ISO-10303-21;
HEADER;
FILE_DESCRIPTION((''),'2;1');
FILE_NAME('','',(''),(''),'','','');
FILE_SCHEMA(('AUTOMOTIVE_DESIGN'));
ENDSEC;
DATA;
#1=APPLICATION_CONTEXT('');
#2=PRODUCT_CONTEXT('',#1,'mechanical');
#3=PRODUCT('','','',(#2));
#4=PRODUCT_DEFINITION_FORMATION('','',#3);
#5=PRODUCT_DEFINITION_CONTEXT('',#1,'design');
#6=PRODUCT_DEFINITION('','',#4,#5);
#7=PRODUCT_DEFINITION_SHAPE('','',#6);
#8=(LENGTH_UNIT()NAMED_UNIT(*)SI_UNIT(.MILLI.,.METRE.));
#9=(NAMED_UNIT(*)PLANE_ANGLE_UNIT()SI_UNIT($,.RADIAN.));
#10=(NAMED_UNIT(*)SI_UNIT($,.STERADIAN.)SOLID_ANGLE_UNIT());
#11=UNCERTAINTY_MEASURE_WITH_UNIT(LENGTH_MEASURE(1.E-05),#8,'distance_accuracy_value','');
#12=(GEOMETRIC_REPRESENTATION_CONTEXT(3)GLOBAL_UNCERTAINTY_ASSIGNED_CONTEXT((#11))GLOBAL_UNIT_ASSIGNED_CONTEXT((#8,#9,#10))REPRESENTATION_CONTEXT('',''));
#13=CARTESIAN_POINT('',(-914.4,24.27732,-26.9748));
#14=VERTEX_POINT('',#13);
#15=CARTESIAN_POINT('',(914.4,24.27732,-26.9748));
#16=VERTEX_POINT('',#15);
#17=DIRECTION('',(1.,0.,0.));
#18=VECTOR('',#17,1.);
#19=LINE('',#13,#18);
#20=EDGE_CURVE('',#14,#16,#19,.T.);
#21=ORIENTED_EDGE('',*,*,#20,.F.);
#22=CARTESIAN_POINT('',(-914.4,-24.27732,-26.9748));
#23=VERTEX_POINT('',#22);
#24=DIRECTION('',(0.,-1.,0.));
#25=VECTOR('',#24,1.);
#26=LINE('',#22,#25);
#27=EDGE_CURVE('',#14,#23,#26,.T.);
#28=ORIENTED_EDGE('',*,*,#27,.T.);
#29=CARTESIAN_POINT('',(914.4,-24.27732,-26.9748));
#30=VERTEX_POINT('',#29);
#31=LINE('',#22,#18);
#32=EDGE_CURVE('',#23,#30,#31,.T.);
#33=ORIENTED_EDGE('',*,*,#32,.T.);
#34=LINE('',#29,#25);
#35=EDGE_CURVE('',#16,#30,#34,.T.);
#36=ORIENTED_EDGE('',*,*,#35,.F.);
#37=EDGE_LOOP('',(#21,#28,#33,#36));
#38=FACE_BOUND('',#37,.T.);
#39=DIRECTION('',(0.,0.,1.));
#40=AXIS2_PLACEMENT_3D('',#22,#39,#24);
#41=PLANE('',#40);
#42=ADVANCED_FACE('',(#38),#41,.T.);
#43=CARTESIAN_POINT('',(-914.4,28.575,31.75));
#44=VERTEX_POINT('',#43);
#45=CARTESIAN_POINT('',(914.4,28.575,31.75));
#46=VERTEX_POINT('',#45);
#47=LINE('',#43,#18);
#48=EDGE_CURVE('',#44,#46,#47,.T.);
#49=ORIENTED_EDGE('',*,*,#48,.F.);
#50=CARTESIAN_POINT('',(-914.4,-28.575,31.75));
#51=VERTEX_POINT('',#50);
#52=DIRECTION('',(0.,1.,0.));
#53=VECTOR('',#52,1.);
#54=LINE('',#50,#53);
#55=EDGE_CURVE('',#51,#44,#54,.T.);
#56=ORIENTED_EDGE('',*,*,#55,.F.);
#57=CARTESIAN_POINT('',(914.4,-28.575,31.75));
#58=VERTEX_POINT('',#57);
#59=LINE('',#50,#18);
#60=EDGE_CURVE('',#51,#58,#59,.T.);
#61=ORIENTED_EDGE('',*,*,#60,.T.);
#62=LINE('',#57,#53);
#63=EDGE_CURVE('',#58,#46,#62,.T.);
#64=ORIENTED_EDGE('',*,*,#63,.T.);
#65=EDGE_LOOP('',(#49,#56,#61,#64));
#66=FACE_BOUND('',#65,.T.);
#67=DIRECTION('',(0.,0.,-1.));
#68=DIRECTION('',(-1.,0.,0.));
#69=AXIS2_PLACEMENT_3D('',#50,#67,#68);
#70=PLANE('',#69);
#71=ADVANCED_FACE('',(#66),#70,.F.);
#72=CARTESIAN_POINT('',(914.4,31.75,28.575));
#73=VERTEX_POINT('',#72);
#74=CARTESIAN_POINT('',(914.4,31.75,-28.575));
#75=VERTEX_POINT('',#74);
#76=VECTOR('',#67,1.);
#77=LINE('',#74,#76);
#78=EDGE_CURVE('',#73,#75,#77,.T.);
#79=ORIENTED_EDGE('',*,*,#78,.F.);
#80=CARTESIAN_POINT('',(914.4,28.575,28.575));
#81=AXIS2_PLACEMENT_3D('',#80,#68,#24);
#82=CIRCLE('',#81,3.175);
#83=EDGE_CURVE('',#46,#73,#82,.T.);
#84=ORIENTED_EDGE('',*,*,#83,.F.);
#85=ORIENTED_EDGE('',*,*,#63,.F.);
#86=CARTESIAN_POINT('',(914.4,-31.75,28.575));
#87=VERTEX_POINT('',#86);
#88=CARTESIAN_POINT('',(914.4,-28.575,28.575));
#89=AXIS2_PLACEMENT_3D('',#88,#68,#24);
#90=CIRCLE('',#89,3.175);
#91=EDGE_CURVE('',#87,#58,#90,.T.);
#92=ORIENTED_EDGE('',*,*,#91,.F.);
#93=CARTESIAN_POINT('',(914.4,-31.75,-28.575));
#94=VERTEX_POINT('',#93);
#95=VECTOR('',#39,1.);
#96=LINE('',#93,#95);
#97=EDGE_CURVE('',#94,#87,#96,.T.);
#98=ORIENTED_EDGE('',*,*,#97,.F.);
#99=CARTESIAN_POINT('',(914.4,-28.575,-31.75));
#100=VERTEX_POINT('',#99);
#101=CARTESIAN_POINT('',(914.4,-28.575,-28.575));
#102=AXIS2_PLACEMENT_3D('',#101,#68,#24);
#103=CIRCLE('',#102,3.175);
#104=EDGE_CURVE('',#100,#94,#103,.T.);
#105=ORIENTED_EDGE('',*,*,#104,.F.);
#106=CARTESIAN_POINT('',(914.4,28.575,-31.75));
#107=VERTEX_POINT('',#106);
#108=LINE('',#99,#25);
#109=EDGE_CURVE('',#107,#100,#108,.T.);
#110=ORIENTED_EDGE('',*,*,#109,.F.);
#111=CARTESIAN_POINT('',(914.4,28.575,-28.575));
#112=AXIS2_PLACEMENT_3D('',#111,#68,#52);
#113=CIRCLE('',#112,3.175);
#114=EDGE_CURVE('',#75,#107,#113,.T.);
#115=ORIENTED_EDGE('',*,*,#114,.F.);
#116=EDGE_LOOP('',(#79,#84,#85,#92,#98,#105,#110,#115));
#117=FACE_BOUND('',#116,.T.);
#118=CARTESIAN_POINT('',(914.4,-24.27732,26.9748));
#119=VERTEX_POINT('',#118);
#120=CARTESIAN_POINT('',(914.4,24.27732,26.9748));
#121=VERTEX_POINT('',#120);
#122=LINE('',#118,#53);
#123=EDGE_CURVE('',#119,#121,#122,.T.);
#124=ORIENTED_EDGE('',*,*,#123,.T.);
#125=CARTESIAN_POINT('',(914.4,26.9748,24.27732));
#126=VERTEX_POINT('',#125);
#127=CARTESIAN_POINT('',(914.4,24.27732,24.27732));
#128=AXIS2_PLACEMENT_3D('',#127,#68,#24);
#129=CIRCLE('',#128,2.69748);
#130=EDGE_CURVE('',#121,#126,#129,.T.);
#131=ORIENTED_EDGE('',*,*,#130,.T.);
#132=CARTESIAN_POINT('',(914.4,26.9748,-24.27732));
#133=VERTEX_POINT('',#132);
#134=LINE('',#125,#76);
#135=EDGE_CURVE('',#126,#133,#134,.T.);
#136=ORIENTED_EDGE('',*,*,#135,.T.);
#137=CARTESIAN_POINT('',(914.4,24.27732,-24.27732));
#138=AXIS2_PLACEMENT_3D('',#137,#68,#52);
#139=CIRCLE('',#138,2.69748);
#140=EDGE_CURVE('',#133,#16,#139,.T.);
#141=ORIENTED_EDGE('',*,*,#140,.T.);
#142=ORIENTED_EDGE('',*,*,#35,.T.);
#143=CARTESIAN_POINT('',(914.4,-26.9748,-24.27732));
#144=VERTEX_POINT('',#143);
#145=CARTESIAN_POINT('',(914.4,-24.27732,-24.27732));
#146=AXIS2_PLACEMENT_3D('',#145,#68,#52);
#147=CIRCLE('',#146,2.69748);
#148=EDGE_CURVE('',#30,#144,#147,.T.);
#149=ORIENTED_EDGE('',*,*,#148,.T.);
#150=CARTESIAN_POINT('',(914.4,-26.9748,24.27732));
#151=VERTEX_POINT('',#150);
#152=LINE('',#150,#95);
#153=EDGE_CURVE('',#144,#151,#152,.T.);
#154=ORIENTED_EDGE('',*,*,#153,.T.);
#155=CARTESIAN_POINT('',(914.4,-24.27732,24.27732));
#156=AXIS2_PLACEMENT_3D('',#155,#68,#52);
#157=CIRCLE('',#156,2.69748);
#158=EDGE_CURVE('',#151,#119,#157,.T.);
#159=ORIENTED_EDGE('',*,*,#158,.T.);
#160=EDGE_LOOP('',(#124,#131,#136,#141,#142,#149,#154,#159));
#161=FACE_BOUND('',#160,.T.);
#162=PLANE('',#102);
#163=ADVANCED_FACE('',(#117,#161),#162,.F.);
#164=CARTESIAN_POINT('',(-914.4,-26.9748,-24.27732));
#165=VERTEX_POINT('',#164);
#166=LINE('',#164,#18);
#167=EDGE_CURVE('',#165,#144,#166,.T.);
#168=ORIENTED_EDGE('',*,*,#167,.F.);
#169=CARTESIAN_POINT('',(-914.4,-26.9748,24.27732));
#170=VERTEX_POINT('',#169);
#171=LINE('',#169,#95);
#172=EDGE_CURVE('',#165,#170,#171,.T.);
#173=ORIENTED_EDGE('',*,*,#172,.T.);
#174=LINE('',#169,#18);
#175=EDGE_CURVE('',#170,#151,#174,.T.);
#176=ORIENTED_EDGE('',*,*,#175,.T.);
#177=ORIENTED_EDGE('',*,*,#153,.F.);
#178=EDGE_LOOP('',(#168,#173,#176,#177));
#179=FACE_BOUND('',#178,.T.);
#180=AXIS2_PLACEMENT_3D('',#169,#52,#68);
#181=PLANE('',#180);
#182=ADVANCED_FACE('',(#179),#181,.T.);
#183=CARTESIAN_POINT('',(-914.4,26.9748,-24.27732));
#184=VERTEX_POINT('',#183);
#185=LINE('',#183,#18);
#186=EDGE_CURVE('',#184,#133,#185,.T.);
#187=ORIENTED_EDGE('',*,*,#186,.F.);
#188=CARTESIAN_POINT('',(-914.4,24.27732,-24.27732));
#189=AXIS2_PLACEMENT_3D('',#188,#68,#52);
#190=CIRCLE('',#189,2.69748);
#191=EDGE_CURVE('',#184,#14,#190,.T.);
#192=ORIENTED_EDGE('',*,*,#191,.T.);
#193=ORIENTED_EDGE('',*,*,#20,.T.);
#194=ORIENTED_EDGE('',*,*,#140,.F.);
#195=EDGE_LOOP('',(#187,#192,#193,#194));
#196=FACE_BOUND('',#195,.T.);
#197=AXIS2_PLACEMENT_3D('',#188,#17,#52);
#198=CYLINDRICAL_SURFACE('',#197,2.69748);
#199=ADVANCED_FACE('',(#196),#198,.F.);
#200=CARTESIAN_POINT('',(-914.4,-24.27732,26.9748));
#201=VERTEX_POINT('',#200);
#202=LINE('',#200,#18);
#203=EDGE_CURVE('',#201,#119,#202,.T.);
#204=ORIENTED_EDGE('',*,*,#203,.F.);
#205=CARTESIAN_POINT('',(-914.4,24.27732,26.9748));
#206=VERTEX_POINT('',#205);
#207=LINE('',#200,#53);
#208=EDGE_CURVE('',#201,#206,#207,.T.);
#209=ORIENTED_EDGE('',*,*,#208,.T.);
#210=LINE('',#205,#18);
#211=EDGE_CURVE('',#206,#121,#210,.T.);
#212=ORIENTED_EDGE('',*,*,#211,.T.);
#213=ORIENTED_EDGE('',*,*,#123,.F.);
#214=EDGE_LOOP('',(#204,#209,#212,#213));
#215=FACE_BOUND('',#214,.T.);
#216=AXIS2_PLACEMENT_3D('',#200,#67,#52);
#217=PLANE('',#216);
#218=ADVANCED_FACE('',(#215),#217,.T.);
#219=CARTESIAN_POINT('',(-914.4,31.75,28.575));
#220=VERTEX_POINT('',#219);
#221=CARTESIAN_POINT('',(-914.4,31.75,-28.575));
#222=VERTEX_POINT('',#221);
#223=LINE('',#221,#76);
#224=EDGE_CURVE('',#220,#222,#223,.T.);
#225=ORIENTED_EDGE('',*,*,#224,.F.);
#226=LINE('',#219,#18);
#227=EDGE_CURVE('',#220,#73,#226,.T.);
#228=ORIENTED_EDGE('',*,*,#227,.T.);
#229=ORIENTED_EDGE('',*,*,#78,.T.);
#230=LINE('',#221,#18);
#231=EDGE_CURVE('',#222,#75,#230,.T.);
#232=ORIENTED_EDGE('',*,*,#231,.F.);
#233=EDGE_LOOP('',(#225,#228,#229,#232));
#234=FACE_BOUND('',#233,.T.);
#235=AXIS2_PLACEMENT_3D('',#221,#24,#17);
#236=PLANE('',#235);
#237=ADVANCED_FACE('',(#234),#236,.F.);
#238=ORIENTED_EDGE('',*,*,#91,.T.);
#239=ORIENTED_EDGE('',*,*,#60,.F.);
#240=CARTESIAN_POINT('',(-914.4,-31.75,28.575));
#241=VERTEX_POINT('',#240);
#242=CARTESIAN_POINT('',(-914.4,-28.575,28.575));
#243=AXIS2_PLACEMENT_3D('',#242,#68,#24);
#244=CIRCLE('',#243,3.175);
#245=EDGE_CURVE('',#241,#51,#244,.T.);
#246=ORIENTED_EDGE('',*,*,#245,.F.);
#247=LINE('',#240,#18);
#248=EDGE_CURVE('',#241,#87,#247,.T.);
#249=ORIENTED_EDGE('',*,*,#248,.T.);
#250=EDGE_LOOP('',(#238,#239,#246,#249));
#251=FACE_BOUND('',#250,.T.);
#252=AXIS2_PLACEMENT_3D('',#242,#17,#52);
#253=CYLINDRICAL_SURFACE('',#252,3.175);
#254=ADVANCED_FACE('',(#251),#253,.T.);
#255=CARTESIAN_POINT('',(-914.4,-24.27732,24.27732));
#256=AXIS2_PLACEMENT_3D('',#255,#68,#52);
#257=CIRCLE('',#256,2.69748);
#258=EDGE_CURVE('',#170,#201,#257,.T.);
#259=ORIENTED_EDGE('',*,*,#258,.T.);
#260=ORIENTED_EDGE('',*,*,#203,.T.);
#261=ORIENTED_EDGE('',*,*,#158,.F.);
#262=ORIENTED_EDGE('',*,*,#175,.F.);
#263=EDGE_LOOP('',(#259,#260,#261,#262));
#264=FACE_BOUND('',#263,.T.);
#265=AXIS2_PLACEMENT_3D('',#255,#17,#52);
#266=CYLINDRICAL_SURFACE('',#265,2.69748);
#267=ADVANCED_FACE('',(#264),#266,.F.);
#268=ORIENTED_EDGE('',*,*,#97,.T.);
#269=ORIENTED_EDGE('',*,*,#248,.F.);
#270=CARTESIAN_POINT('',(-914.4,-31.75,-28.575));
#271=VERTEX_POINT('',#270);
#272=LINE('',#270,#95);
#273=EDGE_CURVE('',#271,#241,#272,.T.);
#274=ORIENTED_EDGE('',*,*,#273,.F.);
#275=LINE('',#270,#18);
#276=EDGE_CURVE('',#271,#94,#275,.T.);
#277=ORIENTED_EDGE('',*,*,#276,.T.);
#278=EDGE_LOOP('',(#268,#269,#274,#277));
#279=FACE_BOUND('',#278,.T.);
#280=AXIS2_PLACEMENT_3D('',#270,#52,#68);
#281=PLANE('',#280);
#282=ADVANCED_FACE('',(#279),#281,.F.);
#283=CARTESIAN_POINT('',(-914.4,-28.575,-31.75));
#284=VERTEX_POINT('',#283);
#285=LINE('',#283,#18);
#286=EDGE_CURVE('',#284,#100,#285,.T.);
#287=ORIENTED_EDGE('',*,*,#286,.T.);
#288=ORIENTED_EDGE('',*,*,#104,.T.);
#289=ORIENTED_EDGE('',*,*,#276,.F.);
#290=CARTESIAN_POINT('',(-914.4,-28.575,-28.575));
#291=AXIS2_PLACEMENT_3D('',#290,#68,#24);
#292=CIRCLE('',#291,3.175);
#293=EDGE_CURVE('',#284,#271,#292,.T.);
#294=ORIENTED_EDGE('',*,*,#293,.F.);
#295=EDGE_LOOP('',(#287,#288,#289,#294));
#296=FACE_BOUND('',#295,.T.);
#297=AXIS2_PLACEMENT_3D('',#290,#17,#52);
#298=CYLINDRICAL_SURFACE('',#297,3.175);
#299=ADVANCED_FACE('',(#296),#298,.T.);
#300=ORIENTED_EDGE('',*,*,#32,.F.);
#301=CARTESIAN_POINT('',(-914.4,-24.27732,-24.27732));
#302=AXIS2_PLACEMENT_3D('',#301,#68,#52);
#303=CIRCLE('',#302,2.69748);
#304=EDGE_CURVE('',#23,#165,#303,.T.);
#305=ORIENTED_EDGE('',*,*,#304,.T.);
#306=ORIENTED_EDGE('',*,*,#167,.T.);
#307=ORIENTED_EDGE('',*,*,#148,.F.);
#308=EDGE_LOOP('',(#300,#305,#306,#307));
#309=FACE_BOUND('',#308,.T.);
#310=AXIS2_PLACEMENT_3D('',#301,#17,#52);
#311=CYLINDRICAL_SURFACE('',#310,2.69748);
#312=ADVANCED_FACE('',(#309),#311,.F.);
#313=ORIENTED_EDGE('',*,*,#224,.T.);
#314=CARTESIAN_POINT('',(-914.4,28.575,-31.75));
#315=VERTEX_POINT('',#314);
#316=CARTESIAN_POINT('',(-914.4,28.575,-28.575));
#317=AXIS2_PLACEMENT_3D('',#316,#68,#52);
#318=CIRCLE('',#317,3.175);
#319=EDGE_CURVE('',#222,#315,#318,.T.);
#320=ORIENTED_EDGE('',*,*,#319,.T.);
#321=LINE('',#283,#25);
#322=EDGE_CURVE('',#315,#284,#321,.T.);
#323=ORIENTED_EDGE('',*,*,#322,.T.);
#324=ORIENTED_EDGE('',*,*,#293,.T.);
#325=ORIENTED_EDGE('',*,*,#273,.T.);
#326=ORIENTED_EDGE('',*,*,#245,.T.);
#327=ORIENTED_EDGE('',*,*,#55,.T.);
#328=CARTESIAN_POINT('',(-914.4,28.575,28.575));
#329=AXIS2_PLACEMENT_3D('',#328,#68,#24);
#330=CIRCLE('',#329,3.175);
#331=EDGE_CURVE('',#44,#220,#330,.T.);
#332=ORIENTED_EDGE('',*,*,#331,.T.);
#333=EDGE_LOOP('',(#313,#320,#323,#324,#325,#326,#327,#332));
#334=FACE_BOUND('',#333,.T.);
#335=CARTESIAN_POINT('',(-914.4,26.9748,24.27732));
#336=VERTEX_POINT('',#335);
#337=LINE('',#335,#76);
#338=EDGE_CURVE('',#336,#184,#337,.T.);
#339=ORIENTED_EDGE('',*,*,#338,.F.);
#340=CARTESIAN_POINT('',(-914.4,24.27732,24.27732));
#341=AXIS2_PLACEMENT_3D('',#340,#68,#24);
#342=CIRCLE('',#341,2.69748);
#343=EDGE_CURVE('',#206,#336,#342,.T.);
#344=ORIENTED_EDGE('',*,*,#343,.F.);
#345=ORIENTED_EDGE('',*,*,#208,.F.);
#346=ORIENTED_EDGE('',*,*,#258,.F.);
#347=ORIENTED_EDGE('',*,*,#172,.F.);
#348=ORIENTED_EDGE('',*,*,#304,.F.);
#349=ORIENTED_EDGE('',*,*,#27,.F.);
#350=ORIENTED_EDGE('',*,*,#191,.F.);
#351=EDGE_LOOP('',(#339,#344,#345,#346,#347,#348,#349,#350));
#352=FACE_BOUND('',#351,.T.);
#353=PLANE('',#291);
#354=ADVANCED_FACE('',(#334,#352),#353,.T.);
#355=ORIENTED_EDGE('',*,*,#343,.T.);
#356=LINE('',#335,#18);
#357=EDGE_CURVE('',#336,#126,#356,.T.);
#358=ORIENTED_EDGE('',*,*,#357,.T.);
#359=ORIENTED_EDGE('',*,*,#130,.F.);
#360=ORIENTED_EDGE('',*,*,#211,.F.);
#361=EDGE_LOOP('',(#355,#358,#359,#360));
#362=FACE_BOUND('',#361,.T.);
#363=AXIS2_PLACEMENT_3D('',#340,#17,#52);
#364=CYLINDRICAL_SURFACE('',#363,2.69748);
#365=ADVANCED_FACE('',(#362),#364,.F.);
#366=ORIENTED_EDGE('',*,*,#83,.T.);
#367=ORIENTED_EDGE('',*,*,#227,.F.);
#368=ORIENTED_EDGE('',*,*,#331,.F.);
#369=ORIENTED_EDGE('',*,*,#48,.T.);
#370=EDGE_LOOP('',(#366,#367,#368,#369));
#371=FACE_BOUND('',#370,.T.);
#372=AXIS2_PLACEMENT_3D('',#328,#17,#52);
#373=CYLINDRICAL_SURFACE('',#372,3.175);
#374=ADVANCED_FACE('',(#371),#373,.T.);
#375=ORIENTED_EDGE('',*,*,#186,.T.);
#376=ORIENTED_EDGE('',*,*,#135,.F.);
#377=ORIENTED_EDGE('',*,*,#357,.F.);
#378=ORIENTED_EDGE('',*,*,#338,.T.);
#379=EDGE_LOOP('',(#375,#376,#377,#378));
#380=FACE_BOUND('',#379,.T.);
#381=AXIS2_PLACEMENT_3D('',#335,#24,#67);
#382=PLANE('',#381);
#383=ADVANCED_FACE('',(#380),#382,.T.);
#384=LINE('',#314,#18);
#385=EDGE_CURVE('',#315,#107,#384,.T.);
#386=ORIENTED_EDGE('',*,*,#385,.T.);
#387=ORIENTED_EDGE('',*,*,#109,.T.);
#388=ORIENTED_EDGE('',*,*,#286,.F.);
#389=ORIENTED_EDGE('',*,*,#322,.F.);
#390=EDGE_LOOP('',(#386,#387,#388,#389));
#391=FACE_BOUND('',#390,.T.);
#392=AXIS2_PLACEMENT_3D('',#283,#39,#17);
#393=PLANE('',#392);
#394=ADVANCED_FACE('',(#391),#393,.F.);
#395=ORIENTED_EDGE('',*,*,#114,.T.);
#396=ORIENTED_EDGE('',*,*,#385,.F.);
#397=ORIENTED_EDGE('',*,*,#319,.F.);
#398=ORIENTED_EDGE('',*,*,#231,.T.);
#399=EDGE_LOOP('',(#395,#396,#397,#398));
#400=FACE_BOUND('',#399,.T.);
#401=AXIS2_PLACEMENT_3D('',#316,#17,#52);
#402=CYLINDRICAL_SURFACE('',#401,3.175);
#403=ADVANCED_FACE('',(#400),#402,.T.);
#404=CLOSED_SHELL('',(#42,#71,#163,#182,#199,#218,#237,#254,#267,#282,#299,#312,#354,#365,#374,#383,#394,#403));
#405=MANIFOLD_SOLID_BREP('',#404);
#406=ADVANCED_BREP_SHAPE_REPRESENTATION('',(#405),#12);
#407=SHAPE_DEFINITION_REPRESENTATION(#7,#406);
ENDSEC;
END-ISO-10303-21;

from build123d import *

# Parameters (mm, degrees)
SQUARE_TUBE_2_5X2_5X_188_A500_1_DEPTH = 1828.8


with BuildPart() as part:
    # Sketch12 → Square tube 2.5X2.5X.188 A500(1) (new body)
    with BuildSketch(Plane(origin=(914.4, 0, 0), x_dir=(0, -1, 0), z_dir=(-1, 0, 0))):
        with BuildLine():
            Line((28.575, -31.75), (-28.575, -31.75))
            ThreePointArc((-28.575, -31.75), (-30.82006403, -30.82006403), (-31.75, -28.575))
            Line((-31.75, -28.575), (-31.75, 28.575))
            ThreePointArc((-31.75, 28.575), (-30.82006403, 30.82006403), (-28.575, 31.75))
            Line((-28.575, 31.75), (28.575, 31.75))
            ThreePointArc((28.575, 31.75), (30.82006403, 30.82006403), (31.75, 28.575))
            Line((31.75, 28.575), (31.75, -28.575))
            ThreePointArc((31.75, -28.575), (30.82006403, -30.82006403), (28.575, -31.75))
        make_face()
        with BuildLine():
            Line((24.27732, 26.9748), (-24.27732, 26.9748))
            ThreePointArc((-24.27732, 26.9748), (-26.1847264, 26.1847264), (-26.9748, 24.27732))
            Line((-26.9748, 24.27732), (-26.9748, -24.27732))
            ThreePointArc((-26.9748, -24.27732), (-26.1847264, -26.1847264), (-24.27732, -26.9748))
            Line((-24.27732, -26.9748), (24.27732, -26.9748))
            ThreePointArc((24.27732, -26.9748), (26.1847264, -26.1847264), (26.9748, -24.27732))
            Line((26.9748, -24.27732), (26.9748, 24.27732))
            ThreePointArc((26.9748, 24.27732), (26.1847264, 26.1847264), (24.27732, 26.9748))
        make_face(mode=Mode.SUBTRACT)
    extrude(amount=SQUARE_TUBE_2_5X2_5X_188_A500_1_DEPTH)


solid = part.part
